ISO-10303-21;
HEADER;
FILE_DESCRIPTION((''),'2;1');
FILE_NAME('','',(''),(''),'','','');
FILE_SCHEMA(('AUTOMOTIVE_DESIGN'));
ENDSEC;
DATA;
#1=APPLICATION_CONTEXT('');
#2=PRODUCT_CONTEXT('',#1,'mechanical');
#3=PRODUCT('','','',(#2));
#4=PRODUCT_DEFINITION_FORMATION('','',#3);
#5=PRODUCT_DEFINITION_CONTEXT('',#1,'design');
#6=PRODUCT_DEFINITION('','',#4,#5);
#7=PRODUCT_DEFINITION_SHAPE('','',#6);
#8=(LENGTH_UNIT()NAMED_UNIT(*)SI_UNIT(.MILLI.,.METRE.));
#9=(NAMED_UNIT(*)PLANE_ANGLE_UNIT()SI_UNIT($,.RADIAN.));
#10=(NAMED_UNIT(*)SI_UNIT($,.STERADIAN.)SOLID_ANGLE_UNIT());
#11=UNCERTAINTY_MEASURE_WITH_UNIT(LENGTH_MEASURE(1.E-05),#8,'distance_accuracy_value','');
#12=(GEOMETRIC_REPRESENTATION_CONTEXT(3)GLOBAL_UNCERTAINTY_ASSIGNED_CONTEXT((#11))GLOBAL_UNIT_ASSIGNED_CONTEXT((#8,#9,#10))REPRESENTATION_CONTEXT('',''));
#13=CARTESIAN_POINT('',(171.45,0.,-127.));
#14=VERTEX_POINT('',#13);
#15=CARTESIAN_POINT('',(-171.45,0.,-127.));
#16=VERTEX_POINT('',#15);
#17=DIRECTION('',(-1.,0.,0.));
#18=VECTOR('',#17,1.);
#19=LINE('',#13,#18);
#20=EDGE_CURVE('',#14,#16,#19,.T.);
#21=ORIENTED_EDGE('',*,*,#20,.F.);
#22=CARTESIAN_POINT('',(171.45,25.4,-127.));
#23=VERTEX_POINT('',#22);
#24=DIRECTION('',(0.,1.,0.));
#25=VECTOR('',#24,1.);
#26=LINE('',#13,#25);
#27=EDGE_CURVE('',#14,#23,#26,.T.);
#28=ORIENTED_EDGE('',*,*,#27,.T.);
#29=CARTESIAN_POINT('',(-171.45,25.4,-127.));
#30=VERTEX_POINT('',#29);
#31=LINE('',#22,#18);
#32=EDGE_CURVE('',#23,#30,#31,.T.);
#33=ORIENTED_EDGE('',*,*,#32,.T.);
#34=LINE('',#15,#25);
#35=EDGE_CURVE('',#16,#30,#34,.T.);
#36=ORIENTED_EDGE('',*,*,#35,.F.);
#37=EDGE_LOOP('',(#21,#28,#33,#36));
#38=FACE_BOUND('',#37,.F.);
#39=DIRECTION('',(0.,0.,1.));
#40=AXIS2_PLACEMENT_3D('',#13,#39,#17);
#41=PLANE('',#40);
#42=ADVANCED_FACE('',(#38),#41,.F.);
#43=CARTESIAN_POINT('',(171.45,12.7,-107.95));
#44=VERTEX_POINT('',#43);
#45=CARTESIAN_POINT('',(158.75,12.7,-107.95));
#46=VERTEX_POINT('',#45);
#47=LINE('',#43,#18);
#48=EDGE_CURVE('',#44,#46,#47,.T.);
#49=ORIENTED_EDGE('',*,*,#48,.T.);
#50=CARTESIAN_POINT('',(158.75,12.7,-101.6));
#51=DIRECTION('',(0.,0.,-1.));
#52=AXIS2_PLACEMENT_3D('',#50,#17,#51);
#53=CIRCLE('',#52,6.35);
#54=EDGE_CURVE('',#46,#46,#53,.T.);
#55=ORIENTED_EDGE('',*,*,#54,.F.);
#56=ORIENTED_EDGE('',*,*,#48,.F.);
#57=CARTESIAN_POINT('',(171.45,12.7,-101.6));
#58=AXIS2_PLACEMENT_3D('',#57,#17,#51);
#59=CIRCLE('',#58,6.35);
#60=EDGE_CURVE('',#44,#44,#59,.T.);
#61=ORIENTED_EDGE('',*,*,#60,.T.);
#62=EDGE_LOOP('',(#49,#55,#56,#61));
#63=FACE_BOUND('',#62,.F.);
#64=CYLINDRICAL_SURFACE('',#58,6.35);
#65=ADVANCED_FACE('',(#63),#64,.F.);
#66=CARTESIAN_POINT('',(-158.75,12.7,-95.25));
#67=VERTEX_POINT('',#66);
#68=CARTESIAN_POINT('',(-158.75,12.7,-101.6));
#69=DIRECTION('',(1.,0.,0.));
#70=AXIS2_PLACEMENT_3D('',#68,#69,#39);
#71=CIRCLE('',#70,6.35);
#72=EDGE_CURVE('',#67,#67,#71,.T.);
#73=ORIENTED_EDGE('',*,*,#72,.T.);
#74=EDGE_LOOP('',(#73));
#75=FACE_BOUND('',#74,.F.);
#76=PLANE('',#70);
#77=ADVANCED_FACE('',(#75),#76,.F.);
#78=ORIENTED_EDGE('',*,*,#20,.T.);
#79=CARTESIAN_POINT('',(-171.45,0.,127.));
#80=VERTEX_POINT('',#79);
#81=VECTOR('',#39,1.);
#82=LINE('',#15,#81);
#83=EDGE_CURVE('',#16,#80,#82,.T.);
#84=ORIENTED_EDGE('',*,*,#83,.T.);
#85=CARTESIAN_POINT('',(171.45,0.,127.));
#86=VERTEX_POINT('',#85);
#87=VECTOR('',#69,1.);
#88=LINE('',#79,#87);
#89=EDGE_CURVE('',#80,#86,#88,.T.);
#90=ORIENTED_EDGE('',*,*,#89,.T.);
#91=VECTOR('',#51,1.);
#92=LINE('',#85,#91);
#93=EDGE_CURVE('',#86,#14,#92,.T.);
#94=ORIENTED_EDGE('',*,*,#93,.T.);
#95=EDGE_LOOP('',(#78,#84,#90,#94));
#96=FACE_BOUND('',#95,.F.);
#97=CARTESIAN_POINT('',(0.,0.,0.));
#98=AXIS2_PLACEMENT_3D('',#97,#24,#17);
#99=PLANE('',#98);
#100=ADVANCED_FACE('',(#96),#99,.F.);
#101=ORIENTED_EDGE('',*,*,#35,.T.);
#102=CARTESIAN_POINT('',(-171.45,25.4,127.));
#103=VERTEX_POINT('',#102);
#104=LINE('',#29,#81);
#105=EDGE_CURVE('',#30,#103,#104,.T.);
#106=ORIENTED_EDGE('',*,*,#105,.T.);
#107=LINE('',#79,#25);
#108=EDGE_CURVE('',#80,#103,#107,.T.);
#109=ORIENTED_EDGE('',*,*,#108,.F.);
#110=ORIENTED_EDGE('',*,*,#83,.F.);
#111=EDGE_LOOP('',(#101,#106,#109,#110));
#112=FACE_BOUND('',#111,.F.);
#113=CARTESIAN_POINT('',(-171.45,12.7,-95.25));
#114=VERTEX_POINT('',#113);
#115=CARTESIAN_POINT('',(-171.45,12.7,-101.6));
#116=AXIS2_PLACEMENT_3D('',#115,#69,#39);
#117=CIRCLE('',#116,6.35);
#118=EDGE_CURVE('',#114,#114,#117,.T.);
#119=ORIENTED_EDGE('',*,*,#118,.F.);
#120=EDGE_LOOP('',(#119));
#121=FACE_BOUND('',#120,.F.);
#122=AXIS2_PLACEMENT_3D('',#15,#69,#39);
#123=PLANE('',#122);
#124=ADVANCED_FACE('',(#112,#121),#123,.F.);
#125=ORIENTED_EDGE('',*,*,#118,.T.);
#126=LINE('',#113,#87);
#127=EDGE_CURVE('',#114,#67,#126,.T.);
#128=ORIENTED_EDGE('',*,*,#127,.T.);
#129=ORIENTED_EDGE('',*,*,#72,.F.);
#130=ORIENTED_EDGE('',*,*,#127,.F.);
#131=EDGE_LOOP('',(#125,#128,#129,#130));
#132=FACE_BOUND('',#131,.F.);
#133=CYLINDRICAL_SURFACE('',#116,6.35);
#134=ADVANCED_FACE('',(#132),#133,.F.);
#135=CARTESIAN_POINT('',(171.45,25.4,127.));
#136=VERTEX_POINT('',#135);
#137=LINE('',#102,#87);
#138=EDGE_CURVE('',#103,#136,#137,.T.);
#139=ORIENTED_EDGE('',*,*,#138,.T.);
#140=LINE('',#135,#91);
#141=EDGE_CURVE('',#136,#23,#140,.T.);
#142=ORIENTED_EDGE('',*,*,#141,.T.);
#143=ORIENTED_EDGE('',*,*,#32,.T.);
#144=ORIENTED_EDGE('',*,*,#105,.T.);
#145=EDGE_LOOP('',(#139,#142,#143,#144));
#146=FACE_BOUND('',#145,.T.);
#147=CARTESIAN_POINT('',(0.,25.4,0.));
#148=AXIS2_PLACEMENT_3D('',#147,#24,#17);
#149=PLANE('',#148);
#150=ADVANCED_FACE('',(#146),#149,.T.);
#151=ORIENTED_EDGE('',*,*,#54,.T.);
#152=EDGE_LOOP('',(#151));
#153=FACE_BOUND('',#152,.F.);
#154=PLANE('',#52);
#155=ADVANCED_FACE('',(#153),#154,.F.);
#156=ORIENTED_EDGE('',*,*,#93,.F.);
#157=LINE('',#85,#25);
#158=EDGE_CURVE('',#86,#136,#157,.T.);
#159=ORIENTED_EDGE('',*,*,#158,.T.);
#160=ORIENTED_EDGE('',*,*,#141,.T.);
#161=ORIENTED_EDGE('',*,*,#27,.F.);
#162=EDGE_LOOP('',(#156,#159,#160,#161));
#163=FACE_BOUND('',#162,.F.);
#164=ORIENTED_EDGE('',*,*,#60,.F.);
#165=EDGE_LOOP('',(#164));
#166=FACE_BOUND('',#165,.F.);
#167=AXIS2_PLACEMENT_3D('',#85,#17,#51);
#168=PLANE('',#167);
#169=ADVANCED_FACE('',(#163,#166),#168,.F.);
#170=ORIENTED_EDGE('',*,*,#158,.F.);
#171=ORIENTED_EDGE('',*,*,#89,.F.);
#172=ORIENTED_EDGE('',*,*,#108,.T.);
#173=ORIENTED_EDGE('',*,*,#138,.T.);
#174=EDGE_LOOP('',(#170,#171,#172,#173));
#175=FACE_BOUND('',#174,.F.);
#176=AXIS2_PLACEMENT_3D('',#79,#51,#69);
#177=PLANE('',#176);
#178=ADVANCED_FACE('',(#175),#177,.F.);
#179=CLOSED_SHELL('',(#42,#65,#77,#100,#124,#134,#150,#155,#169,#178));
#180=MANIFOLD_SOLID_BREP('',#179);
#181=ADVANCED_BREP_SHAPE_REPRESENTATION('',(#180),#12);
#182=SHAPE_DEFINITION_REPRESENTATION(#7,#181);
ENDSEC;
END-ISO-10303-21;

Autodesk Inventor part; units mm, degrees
ref_plane "YZ Plane" through (0, 0, 0) normal (1, 0, 0) x (0, 1, 0)
ref_plane "XZ Plane" through (0, 0, 0) normal (0, 1, 0) x (-1, 0, 0)
ref_plane "XY Plane" through (0, 0, 0) normal (0, 0, 1) x (1, 0, 0)
sketch "Sketch1" plane through (0, 0, 0) normal (0, 1, 0) x (-1, 0, 0)
  line L0 (171.45, 127) -> (-171.45, 127)
  line L1 (-171.45, 127) -> (-171.45, -127)
  line L2 (-171.45, -127) -> (171.45, -127)
  line L3 (171.45, -127) -> (171.45, 127)
  line L4 (171.45, 127) -> (-171.45, -127) construction
  line L5 (-171.45, 127) -> (171.45, -127) construction
  point P0 (0, 0)
  dimension "d0" = 342.9
  dimension "d1" = 254
extrude "Extrusion1" add sketch "Sketch1" along normal blind 25.4
sketch "Sketch6" plane through (171.45, 0, 127) normal (1, 0, 0) x (0, 0, -1)
  line L0 (0, 25.4) -> (254, 25.4) projected
  line L1 (254, 0) -> (254, 25.4) projected
  point P0 (127, 0)
  point P1 (228.6, 12.7)
  dimension "d18" = 25.4
  dimension "d19" = 12.7
hole "Hole2" at (171.45, 12.7, -101.6) direction (-1, 0, 0) diameter 12.7 depth 12.7
sketch "Sketch8" plane through (-171.45, 0, -127) normal (-1, 0, 0) x (0, 0, 1)
  circle A0 centre (25.4, 12.7) radius 6.35 projected
  point P0 (127, 0)
hole "Hole3" at (-171.45, 12.7, -101.6) direction (1, 0, 0) diameter 12.7 depth 12.7
properties part number "STEP"
